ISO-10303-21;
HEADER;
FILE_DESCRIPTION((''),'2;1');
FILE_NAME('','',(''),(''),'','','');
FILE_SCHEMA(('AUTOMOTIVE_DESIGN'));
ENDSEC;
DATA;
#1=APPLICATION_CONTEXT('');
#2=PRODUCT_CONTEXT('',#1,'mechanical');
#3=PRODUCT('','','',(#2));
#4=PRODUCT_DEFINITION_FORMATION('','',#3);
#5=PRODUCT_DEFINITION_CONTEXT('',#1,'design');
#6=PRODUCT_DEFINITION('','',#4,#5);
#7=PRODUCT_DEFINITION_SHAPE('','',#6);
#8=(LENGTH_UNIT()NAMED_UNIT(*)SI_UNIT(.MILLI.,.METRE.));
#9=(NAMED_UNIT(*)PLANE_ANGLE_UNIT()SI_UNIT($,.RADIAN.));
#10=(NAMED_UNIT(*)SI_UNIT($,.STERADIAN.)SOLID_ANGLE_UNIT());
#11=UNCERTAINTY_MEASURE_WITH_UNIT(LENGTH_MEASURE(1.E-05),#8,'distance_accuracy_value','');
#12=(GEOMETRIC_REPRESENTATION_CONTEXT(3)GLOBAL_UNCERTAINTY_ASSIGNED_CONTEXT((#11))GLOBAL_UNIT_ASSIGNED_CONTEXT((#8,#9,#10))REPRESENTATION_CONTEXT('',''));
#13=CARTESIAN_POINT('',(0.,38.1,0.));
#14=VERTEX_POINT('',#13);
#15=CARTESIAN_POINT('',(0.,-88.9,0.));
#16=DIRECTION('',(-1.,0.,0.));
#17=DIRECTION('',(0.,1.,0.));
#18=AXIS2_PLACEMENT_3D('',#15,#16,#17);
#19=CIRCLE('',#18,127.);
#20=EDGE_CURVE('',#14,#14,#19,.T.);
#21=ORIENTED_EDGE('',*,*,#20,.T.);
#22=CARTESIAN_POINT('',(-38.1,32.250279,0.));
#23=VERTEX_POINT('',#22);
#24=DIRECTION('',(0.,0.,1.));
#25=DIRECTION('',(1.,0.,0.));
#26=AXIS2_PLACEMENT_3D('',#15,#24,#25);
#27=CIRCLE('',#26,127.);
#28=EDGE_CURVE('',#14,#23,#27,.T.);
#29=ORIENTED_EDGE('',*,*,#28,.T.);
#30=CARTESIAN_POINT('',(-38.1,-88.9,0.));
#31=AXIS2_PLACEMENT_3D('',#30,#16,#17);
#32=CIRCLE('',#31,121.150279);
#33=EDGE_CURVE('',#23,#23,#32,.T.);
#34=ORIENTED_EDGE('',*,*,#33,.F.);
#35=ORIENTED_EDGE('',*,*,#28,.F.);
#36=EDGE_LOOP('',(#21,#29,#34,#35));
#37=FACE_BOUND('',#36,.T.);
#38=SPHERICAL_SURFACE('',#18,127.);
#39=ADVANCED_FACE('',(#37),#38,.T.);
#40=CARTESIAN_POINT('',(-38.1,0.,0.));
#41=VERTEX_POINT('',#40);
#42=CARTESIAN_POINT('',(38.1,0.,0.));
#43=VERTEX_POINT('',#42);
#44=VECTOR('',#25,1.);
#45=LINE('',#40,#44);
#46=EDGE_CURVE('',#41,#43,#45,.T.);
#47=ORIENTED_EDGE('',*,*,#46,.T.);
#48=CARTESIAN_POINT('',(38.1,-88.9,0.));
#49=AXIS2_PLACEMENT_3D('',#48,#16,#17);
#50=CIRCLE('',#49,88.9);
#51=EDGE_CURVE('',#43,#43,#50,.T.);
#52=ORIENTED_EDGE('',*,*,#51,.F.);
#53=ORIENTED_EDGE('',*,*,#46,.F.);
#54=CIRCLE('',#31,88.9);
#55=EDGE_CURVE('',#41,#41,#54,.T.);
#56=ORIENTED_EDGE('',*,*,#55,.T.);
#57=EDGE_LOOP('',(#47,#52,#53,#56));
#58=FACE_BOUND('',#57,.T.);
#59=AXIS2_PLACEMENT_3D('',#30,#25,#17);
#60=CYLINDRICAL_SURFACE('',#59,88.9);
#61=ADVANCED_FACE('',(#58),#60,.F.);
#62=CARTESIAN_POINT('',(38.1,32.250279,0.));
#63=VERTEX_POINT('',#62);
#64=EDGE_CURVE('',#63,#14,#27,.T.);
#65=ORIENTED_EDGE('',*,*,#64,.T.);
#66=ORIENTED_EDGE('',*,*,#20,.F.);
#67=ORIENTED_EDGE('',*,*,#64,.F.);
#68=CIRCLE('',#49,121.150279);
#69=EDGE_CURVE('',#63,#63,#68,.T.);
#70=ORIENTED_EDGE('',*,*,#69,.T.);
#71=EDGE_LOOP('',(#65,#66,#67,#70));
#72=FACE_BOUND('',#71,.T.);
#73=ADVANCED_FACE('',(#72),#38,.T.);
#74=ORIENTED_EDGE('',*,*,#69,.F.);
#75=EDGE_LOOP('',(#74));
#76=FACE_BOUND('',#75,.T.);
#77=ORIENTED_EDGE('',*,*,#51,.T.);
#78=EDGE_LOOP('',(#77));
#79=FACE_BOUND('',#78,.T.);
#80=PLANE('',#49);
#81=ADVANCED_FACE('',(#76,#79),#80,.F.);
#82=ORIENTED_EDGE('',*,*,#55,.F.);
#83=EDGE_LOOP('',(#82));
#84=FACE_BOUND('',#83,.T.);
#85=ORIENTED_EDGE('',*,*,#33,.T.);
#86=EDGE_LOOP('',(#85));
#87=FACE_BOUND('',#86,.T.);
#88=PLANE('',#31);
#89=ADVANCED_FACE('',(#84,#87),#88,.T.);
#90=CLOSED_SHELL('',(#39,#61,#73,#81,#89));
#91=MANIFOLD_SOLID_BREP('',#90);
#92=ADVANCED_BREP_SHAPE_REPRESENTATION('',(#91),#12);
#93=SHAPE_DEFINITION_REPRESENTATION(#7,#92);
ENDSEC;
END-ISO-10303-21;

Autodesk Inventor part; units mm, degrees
ref_plane "YZ Plane" through (0, 0, 0) normal (1, 0, 0) x (0, 1, 0)
ref_plane "XZ Plane" through (0, 0, 0) normal (0, 1, 0) x (-1, 0, 0)
ref_plane "XY Plane" through (0, 0, 0) normal (0, 0, 1) x (1, 0, 0)
sketch "Sketch1" plane through (0, 0, 0) normal (0, 0, 1) x (1, 0, 0)
  line L0 (-38.1, 0) -> (38.1, 0)
  line L1 (38.1, 0) -> (38.1, 38.1)
  line L2 (38.1, 38.1) -> (-38.1, 38.1)
  line L3 (-38.1, 38.1) -> (-38.1, 0)
  circle A0 centre (0, -88.9) radius 127
  line L4 (0, -88.9) -> (-189.5771, -88.9) construction
  point P0 (0, 0)
  point P1 (-38.1, 32.2503)
  point P2 (38.1, 32.2503)
  dimension "d0" = 76.2
  dimension "d1" = 38.1
  dimension "d2" = 38.1
  dimension "d3" = 127
revolve "Revolution1" add sketch "Sketch1" angle 360 about axis through (0, -88.9, 0) along (-1, 0, 0) picked at (0, 12.7) contours L3 A0 L1 L0
equation "\"d2\" = 0.5 * d0"
properties part number "bigWheelMosaic"
